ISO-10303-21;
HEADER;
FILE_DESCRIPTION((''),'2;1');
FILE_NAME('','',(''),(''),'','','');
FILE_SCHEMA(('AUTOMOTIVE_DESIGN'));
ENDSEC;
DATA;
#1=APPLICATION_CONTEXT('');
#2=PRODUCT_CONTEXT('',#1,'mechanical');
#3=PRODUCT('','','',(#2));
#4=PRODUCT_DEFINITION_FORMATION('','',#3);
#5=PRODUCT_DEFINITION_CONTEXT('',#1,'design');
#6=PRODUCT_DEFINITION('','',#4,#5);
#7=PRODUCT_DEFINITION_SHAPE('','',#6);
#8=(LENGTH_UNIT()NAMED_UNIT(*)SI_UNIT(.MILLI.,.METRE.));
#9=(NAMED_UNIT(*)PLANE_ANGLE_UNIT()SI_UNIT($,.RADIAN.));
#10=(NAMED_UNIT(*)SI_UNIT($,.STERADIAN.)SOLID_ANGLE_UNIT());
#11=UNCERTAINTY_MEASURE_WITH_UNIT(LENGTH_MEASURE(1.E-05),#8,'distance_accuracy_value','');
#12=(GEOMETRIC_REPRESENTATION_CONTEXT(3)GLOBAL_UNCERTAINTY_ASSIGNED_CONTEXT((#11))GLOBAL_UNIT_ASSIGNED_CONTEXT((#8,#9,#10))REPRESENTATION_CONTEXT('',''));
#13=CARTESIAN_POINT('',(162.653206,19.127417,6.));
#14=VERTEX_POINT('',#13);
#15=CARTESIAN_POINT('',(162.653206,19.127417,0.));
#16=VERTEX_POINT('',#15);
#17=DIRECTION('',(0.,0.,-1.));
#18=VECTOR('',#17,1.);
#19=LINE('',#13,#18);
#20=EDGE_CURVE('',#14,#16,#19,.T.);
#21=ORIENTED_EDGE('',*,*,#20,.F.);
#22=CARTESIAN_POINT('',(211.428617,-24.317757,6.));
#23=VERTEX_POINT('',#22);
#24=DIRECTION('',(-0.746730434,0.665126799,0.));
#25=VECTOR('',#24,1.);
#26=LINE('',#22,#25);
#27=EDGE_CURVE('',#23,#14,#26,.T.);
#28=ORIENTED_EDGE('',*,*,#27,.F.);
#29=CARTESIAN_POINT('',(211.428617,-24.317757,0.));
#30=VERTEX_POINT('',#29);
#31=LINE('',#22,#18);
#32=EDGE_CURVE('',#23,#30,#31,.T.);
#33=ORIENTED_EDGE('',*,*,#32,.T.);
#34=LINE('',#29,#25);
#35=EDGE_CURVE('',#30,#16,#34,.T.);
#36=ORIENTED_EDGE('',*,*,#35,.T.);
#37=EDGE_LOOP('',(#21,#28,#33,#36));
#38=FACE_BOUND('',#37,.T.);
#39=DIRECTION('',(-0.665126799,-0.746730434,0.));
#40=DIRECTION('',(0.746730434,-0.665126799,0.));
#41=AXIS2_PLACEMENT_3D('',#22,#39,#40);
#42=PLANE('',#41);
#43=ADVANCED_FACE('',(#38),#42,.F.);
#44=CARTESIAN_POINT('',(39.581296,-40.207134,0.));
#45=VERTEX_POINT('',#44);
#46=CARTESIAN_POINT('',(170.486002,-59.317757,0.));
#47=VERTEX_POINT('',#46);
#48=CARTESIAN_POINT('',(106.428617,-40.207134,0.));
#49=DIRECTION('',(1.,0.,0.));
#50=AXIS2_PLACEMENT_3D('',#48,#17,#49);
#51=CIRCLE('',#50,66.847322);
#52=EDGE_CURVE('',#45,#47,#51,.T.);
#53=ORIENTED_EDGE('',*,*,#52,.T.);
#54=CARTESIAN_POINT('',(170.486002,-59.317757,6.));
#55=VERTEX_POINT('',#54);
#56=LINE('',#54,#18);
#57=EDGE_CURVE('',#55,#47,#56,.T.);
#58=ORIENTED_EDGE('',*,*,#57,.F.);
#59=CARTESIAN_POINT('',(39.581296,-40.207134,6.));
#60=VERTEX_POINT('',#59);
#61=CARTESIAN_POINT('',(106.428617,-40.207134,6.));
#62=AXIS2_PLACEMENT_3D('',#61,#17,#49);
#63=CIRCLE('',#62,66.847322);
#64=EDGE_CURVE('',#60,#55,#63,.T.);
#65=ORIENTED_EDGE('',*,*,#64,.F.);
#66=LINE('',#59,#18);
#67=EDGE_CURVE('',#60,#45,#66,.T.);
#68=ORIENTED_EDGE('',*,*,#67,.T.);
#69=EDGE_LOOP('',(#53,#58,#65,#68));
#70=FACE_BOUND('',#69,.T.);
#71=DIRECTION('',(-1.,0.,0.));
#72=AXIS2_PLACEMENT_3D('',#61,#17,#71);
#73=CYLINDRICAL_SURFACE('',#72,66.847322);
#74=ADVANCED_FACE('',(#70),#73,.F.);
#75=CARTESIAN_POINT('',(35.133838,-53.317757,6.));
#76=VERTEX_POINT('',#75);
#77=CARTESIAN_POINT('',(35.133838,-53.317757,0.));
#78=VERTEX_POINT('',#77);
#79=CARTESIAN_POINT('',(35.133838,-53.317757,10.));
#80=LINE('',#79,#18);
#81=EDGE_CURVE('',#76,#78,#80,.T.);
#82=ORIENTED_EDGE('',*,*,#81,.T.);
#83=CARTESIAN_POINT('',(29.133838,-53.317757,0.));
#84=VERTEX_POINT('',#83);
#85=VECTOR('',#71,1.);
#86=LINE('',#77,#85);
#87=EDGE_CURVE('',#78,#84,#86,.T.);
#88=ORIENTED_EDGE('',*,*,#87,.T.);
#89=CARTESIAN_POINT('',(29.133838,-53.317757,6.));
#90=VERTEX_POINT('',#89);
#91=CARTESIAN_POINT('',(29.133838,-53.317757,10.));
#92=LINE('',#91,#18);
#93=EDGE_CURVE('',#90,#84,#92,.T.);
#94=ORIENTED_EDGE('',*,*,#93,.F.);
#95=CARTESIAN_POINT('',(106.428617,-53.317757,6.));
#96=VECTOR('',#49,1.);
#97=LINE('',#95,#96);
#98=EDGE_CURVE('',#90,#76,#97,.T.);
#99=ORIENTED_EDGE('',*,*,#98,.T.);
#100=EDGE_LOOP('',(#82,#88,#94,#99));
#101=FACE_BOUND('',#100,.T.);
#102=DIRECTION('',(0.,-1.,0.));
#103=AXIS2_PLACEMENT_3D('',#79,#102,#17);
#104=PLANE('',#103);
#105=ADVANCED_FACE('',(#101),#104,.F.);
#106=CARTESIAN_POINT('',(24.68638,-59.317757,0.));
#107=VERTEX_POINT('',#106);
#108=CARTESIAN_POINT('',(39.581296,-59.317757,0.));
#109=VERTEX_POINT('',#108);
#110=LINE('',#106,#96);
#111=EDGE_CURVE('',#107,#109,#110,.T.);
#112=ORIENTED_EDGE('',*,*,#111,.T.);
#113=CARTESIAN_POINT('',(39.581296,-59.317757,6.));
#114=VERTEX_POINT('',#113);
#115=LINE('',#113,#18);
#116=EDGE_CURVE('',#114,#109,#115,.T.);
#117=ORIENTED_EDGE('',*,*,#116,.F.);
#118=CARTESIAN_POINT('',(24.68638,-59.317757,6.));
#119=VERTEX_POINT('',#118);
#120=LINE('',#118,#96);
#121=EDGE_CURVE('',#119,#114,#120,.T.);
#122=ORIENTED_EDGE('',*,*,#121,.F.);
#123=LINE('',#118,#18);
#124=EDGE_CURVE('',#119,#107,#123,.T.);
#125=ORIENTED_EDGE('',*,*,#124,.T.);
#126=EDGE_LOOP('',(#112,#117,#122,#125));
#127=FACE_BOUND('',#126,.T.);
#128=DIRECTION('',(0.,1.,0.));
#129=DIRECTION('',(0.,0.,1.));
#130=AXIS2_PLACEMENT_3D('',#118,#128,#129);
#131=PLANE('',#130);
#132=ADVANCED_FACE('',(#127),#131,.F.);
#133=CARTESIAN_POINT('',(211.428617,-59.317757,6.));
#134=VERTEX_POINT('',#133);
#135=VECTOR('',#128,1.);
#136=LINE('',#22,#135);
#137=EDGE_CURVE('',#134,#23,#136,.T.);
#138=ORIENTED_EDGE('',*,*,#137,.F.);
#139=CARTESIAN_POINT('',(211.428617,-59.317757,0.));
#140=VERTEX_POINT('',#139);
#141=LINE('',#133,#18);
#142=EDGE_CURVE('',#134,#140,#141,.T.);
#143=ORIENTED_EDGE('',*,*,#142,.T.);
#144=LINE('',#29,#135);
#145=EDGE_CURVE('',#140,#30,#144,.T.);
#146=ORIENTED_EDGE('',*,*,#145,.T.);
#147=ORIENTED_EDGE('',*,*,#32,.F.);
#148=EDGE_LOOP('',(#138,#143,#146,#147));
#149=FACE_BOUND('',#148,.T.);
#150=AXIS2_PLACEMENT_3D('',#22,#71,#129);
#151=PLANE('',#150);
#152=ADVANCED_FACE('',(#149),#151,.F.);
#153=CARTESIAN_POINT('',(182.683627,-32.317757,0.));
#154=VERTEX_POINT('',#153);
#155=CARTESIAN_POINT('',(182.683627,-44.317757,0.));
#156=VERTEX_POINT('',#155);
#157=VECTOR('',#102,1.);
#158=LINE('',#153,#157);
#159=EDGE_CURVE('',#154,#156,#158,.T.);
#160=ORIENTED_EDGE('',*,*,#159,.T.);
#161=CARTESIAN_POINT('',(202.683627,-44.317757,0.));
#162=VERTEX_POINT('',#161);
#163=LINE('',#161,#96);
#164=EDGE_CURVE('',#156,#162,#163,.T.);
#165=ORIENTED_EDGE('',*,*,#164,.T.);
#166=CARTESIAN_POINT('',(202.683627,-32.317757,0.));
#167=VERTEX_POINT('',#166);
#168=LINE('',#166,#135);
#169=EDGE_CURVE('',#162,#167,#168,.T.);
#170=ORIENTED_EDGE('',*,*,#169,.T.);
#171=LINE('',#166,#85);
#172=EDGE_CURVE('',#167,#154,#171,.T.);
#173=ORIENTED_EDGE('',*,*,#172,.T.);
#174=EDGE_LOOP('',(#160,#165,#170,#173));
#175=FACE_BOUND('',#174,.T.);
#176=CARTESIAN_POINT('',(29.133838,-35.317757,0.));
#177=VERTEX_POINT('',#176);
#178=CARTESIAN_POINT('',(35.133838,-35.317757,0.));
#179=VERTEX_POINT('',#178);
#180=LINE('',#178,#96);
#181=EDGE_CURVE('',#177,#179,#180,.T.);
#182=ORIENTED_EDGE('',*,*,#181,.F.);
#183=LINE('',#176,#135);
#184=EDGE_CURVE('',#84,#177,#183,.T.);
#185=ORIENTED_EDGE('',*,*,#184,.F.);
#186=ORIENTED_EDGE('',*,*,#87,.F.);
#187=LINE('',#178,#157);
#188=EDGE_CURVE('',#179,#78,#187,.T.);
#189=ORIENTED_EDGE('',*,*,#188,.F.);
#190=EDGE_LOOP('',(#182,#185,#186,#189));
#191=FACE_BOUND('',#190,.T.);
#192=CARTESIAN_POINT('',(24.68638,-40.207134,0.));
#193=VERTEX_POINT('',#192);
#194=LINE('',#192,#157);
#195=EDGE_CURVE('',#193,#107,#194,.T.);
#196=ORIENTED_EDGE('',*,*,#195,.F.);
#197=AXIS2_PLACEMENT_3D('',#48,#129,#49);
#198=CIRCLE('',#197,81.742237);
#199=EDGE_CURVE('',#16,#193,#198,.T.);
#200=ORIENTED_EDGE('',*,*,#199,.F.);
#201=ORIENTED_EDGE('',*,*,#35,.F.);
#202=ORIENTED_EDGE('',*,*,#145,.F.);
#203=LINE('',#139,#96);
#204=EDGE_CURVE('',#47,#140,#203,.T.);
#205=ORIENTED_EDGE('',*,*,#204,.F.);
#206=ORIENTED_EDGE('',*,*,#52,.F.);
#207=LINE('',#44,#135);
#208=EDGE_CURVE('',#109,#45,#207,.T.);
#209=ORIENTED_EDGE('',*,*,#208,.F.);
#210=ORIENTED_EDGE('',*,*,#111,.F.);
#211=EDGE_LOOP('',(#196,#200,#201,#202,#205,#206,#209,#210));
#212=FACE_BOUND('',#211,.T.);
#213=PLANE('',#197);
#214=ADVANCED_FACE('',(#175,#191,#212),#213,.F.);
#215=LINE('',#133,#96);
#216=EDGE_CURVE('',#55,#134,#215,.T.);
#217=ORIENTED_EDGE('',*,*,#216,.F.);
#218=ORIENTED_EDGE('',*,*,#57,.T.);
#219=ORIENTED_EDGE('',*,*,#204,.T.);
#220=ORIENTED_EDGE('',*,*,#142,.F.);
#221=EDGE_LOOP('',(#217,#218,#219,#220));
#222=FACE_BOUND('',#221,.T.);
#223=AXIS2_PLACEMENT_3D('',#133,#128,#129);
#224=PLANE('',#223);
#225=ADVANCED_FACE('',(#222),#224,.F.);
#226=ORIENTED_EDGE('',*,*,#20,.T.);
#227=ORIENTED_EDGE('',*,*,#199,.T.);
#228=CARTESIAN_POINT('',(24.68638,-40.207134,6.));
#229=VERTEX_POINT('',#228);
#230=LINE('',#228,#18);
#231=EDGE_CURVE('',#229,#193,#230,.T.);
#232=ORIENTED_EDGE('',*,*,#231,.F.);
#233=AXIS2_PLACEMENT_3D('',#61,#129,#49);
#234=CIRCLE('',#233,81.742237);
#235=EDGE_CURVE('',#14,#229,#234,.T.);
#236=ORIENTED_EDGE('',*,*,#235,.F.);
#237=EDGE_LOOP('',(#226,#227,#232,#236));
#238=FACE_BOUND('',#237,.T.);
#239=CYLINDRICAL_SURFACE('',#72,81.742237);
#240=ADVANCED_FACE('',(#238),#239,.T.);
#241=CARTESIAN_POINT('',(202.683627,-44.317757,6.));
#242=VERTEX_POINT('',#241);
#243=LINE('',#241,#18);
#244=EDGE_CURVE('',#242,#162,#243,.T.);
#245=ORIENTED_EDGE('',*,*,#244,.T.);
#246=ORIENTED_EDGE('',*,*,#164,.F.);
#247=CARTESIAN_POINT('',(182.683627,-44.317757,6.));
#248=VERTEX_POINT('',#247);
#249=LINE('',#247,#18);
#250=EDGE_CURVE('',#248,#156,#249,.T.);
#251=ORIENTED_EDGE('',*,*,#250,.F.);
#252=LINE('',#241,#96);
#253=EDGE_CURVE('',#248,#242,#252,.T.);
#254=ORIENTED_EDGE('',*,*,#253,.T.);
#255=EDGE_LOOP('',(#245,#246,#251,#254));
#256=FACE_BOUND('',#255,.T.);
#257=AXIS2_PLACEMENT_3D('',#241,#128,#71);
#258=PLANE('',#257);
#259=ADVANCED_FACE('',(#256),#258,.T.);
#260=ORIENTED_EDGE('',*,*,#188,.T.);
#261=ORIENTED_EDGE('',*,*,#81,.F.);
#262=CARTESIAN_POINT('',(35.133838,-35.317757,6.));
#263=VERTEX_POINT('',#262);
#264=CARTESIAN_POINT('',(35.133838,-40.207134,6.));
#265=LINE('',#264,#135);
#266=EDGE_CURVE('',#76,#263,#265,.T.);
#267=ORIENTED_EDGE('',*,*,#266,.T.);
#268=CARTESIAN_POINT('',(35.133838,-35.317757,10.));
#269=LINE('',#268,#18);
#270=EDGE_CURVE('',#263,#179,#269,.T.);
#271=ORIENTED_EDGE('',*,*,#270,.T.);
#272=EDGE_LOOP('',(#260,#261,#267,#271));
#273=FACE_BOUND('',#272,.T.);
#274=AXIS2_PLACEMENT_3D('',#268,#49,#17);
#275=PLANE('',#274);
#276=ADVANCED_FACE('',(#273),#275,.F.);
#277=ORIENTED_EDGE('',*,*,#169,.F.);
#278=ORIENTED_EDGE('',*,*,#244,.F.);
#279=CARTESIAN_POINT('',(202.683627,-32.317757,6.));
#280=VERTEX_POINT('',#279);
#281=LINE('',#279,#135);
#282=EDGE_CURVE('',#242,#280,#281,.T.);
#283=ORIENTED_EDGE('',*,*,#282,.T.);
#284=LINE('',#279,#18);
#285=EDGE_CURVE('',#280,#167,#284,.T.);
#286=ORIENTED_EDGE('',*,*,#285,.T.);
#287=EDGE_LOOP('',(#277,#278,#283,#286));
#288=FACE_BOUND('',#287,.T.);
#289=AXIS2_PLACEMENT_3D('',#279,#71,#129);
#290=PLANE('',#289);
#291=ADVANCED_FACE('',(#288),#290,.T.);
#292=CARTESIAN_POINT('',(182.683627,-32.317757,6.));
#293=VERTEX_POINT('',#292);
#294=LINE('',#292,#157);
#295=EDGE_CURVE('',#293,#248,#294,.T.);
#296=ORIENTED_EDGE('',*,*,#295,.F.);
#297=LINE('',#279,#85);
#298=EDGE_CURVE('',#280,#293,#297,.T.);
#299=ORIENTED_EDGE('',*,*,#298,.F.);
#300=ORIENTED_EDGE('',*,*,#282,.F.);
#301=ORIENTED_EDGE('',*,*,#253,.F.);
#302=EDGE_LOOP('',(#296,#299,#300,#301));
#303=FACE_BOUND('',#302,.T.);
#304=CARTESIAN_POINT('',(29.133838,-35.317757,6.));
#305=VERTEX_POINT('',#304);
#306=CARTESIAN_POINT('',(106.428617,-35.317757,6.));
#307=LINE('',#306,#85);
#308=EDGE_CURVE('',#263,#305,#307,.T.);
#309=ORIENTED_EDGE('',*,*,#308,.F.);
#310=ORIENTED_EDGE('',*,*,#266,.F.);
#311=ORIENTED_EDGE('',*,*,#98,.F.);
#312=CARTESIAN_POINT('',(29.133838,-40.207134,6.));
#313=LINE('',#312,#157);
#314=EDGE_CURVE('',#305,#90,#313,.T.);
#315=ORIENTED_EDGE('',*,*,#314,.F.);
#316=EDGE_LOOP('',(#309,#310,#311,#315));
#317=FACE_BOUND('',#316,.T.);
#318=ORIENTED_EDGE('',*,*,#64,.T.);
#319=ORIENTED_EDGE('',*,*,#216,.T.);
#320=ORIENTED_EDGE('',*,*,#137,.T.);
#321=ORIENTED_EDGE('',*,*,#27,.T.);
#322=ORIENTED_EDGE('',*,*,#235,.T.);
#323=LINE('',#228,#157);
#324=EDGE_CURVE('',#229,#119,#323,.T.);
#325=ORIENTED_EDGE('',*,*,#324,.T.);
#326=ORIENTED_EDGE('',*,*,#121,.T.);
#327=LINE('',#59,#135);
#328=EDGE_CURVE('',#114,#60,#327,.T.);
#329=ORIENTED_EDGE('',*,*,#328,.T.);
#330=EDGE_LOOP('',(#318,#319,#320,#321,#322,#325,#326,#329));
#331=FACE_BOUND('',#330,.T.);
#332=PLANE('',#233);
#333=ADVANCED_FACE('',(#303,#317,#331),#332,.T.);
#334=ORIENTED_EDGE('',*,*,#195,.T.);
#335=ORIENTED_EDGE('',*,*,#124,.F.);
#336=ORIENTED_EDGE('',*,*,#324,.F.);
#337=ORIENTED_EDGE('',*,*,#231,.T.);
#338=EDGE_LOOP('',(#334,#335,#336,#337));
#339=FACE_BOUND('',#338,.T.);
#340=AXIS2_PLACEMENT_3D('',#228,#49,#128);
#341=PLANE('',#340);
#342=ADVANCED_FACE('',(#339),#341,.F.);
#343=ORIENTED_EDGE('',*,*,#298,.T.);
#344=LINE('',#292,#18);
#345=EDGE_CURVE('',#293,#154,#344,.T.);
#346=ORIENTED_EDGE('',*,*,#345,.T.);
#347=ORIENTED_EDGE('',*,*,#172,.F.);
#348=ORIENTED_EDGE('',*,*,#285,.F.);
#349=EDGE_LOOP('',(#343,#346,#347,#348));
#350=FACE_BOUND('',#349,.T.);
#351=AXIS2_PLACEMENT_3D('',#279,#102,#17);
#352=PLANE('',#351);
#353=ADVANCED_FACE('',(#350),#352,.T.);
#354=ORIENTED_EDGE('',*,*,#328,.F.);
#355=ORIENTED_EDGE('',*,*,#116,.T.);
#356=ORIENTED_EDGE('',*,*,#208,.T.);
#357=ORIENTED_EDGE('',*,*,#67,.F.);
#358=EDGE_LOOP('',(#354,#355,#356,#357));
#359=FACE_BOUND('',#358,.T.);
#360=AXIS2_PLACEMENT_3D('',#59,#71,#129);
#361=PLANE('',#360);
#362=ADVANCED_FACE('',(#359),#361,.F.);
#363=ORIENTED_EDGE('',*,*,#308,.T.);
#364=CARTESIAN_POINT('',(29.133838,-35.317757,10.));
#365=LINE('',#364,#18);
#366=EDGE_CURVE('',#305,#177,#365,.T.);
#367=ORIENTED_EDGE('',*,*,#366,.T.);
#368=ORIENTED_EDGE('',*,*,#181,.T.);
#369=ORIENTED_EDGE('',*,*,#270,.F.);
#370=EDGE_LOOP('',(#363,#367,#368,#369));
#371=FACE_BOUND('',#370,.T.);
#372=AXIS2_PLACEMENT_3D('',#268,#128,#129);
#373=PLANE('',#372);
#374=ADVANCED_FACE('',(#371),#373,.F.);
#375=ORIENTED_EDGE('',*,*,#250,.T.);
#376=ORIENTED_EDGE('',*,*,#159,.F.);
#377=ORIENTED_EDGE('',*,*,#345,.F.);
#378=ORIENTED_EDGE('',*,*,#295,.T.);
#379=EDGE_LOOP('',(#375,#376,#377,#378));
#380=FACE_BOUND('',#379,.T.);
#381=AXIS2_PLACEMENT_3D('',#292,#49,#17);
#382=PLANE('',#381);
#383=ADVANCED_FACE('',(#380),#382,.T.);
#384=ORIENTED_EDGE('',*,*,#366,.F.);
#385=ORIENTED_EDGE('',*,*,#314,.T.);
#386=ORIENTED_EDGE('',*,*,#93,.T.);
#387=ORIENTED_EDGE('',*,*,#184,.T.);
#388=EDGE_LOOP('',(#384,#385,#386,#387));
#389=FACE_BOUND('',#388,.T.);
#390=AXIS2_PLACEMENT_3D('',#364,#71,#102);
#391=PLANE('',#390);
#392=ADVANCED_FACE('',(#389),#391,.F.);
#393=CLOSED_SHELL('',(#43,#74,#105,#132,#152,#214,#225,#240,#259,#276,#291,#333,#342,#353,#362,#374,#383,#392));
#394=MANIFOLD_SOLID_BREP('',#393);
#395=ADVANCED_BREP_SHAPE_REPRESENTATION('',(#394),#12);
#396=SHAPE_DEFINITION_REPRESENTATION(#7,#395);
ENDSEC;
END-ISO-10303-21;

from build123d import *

# Parameters (mm, degrees)
SKETCH1_W           = 20
SKETCH1_H           = 12
BOSS_EXTRUDE1_DEPTH = 6
SKETCH2_W           = 6
SKETCH2_H           = 18
CUT_EXTRUDE1_DEPTH  = 10


with BuildPart() as part:
    # Sketch1 → Boss-Extrude1 (new body)
    with BuildSketch(Plane.XY):
        with BuildLine():
            Line((211.428617248, -24.317756725), (162.653205504, 19.127417073))
            ThreePointArc((162.653205504, 19.127417073), (74.134115414, 34.8851986), (24.686380191, -40.207134366))
            Line((24.686380191, -40.207134366), (24.686380191, -59.317756725))
            Line((24.686380191, -59.317756725), (39.581295698, -59.317756725))
            Line((39.581295698, -59.317756725), (39.581295698, -40.207134366))
            ThreePointArc((39.581295698, -40.207134366), (116.085216489, 25.939025685), (170.486001767, -59.317756725))
            Line((170.486001767, -59.317756725), (211.428617248, -59.317756725))
            Line((211.428617248, -59.317756725), (211.428617248, -24.317756725))
        make_face()
        with Locations((192.683627049, -38.317756725)):
            Rectangle(SKETCH1_W, SKETCH1_H, mode=Mode.SUBTRACT)
    extrude(amount=BOSS_EXTRUDE1_DEPTH)

    # Sketch2 → Cut-Extrude1 (cut)
    with BuildSketch(Plane(origin=(0, 0, 0), x_dir=(-1, 0, 0), z_dir=(0, 0, -1))):
        with Locations((-32.133837945, -44.317756725)):
            Rectangle(SKETCH2_W, SKETCH2_H)
    extrude(amount=-CUT_EXTRUDE1_DEPTH, mode=Mode.SUBTRACT)


solid = part.part
